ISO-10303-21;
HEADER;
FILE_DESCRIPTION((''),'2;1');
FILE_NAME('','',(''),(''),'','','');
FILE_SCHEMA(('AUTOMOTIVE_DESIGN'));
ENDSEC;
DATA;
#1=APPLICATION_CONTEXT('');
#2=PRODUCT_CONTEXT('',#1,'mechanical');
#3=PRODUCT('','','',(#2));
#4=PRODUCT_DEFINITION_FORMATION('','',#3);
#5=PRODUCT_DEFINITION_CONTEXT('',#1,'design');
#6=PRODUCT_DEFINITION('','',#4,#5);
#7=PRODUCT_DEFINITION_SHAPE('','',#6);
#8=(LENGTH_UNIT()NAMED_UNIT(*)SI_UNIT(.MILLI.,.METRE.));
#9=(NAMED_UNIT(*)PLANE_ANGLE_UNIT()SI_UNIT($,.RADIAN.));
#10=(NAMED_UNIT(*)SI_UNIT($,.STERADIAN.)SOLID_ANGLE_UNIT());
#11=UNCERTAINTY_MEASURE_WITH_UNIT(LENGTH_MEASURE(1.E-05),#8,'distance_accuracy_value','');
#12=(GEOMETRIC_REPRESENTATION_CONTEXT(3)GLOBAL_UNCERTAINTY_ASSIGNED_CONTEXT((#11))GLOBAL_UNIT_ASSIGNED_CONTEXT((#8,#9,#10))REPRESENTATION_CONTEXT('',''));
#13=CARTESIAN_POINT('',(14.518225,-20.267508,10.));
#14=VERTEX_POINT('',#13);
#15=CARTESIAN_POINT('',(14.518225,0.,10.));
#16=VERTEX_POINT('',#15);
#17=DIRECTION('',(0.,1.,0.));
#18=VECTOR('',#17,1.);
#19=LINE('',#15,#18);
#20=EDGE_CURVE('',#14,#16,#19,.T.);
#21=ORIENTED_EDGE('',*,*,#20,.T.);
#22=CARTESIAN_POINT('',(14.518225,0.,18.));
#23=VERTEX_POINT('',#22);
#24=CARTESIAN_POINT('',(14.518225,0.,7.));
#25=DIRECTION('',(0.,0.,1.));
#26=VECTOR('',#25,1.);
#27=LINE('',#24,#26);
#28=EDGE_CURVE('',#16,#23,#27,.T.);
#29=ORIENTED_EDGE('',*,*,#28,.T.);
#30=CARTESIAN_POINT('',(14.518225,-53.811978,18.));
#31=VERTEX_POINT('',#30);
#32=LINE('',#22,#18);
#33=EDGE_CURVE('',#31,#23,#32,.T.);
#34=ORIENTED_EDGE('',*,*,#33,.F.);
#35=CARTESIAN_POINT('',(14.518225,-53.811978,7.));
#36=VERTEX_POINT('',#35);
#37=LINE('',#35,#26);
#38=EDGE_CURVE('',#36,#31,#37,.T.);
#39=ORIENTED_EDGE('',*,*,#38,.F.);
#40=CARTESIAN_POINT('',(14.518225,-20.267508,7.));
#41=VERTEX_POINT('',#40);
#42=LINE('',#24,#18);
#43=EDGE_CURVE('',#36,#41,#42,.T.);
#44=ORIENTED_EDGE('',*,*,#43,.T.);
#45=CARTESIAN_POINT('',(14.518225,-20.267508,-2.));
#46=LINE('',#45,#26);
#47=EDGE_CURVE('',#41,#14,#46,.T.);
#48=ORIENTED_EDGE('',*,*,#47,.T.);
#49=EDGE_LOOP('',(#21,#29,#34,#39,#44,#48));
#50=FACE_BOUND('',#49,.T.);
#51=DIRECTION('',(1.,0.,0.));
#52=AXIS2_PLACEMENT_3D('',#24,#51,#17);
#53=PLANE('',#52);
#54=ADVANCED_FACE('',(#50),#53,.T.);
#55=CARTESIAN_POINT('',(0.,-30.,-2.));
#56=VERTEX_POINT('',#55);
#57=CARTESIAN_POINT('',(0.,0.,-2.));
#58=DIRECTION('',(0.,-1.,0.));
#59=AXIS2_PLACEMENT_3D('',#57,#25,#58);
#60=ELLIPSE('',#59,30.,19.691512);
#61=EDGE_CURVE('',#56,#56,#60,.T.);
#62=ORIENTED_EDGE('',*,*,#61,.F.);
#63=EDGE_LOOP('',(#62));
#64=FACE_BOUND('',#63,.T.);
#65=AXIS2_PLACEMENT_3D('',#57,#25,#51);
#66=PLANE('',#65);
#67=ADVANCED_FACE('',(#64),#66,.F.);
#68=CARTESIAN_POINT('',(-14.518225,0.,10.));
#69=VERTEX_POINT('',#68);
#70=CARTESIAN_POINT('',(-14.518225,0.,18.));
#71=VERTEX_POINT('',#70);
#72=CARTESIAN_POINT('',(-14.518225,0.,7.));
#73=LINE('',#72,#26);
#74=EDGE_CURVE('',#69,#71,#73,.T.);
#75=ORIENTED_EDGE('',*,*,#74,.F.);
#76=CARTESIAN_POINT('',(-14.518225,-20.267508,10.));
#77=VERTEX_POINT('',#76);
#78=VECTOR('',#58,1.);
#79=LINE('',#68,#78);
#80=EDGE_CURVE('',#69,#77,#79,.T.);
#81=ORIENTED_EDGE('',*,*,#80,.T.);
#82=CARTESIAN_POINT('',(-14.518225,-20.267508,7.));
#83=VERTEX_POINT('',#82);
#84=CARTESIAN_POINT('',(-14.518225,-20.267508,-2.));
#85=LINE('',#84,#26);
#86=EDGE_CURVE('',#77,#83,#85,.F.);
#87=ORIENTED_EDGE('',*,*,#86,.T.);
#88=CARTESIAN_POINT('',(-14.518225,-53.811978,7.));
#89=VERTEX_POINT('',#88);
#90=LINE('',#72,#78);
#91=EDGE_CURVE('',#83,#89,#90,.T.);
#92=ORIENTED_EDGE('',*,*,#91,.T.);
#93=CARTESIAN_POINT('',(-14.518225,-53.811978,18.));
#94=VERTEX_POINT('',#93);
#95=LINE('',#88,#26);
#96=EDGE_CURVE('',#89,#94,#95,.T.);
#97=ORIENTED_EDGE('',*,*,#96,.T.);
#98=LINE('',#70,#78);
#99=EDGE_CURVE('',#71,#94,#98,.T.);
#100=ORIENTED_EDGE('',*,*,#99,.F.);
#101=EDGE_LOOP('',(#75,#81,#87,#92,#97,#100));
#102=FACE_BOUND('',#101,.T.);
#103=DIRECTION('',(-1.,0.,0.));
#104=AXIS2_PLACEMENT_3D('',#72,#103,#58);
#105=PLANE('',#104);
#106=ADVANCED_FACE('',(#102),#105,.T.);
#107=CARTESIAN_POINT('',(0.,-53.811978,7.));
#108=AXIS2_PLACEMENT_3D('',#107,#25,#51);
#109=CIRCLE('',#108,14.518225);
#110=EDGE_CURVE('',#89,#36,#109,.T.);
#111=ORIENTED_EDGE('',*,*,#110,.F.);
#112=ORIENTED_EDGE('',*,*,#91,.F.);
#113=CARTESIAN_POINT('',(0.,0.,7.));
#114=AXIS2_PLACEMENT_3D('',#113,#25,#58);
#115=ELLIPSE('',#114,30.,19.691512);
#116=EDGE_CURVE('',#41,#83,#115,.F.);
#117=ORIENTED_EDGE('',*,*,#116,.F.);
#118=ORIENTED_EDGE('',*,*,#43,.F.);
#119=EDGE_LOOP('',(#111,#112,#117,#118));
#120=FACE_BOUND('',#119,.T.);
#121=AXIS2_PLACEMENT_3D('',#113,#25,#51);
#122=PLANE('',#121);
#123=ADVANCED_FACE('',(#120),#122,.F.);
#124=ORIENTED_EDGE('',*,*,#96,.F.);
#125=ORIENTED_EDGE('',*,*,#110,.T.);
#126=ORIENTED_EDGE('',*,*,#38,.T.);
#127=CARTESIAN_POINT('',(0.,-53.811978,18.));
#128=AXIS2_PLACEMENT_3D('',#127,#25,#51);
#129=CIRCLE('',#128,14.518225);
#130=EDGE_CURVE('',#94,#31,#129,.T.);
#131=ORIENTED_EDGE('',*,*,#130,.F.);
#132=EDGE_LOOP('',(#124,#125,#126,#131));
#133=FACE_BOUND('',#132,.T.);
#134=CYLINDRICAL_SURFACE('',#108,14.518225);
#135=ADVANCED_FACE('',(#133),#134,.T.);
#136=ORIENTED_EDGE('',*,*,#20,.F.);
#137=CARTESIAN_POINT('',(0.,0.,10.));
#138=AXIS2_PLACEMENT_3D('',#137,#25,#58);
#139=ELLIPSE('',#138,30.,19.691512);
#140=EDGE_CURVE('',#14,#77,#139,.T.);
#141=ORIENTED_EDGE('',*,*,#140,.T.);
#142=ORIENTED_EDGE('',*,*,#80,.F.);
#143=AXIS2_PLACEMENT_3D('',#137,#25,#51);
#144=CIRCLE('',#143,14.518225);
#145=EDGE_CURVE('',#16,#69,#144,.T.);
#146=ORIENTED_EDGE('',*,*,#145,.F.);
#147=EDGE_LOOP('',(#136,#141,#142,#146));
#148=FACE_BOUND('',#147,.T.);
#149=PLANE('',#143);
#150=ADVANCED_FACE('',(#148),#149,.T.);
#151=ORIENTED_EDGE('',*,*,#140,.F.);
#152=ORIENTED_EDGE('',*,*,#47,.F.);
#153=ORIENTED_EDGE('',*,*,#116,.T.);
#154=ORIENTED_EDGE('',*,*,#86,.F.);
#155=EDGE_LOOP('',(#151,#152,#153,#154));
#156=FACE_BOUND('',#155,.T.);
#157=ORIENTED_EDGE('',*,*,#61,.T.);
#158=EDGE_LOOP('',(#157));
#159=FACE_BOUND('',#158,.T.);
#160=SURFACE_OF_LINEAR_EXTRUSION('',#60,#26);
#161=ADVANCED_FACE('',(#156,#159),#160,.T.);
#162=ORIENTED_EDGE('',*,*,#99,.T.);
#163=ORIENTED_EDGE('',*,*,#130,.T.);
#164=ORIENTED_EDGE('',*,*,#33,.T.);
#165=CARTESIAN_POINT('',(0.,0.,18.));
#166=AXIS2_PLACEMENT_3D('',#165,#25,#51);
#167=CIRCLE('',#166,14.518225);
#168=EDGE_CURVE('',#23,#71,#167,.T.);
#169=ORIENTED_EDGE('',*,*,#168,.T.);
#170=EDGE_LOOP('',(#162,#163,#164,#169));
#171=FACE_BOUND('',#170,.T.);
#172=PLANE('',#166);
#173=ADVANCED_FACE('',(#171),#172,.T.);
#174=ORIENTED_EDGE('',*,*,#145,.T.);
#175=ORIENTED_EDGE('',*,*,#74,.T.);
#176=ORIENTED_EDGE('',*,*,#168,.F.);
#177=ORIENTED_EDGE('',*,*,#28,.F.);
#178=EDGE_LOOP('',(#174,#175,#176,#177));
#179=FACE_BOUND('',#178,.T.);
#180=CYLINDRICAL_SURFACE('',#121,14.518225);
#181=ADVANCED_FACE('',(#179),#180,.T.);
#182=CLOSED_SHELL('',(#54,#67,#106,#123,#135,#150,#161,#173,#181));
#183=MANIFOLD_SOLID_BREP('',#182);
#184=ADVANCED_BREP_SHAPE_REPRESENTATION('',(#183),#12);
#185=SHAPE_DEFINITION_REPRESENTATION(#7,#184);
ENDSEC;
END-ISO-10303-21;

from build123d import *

# Parameters (mm, degrees)
EXTRUDE_1_DEPTH      = 10
EXTRUDE_1_DEPTH_BACK = 2
SKETCH_1_RX          = 30
SKETCH_1_RY          = 19.691511613
EXTRUDE_2_DEPTH      = 8
EXTRUDE_2_DEPTH_BACK = 3


with BuildPart() as part:
    # 草图1 → 凸台-拉伸1 (new, two sides: drawn at the far end of the back side and taken through both)
    with BuildSketch(Plane.XY.offset(-EXTRUDE_1_DEPTH_BACK)):
        with Locations(Location((0, 0), (0, 0, -90))):
            Ellipse(SKETCH_1_RX, SKETCH_1_RY)
    extrude(amount=EXTRUDE_1_DEPTH + EXTRUDE_1_DEPTH_BACK)

    # 草图2 → 凸台-拉伸2 (add, two sides: drawn at the far end of the back side and taken through both)
    with BuildSketch(Plane.XY.offset(10).offset(-EXTRUDE_2_DEPTH_BACK)):
        with BuildLine():
            Line((14.518224671, 0), (14.518224671, -53.811978273))
            ThreePointArc((14.518224671, -53.811978273), (0, -68.330202944), (-14.518224671, -53.811978273))
            Line((-14.518224671, -53.811978273), (-14.518224671, 0))
            ThreePointArc((-14.518224671, 0), (0, 14.518224671), (14.518224671, 0))
        make_face()
    extrude(amount=EXTRUDE_2_DEPTH + EXTRUDE_2_DEPTH_BACK)


solid = part.part
